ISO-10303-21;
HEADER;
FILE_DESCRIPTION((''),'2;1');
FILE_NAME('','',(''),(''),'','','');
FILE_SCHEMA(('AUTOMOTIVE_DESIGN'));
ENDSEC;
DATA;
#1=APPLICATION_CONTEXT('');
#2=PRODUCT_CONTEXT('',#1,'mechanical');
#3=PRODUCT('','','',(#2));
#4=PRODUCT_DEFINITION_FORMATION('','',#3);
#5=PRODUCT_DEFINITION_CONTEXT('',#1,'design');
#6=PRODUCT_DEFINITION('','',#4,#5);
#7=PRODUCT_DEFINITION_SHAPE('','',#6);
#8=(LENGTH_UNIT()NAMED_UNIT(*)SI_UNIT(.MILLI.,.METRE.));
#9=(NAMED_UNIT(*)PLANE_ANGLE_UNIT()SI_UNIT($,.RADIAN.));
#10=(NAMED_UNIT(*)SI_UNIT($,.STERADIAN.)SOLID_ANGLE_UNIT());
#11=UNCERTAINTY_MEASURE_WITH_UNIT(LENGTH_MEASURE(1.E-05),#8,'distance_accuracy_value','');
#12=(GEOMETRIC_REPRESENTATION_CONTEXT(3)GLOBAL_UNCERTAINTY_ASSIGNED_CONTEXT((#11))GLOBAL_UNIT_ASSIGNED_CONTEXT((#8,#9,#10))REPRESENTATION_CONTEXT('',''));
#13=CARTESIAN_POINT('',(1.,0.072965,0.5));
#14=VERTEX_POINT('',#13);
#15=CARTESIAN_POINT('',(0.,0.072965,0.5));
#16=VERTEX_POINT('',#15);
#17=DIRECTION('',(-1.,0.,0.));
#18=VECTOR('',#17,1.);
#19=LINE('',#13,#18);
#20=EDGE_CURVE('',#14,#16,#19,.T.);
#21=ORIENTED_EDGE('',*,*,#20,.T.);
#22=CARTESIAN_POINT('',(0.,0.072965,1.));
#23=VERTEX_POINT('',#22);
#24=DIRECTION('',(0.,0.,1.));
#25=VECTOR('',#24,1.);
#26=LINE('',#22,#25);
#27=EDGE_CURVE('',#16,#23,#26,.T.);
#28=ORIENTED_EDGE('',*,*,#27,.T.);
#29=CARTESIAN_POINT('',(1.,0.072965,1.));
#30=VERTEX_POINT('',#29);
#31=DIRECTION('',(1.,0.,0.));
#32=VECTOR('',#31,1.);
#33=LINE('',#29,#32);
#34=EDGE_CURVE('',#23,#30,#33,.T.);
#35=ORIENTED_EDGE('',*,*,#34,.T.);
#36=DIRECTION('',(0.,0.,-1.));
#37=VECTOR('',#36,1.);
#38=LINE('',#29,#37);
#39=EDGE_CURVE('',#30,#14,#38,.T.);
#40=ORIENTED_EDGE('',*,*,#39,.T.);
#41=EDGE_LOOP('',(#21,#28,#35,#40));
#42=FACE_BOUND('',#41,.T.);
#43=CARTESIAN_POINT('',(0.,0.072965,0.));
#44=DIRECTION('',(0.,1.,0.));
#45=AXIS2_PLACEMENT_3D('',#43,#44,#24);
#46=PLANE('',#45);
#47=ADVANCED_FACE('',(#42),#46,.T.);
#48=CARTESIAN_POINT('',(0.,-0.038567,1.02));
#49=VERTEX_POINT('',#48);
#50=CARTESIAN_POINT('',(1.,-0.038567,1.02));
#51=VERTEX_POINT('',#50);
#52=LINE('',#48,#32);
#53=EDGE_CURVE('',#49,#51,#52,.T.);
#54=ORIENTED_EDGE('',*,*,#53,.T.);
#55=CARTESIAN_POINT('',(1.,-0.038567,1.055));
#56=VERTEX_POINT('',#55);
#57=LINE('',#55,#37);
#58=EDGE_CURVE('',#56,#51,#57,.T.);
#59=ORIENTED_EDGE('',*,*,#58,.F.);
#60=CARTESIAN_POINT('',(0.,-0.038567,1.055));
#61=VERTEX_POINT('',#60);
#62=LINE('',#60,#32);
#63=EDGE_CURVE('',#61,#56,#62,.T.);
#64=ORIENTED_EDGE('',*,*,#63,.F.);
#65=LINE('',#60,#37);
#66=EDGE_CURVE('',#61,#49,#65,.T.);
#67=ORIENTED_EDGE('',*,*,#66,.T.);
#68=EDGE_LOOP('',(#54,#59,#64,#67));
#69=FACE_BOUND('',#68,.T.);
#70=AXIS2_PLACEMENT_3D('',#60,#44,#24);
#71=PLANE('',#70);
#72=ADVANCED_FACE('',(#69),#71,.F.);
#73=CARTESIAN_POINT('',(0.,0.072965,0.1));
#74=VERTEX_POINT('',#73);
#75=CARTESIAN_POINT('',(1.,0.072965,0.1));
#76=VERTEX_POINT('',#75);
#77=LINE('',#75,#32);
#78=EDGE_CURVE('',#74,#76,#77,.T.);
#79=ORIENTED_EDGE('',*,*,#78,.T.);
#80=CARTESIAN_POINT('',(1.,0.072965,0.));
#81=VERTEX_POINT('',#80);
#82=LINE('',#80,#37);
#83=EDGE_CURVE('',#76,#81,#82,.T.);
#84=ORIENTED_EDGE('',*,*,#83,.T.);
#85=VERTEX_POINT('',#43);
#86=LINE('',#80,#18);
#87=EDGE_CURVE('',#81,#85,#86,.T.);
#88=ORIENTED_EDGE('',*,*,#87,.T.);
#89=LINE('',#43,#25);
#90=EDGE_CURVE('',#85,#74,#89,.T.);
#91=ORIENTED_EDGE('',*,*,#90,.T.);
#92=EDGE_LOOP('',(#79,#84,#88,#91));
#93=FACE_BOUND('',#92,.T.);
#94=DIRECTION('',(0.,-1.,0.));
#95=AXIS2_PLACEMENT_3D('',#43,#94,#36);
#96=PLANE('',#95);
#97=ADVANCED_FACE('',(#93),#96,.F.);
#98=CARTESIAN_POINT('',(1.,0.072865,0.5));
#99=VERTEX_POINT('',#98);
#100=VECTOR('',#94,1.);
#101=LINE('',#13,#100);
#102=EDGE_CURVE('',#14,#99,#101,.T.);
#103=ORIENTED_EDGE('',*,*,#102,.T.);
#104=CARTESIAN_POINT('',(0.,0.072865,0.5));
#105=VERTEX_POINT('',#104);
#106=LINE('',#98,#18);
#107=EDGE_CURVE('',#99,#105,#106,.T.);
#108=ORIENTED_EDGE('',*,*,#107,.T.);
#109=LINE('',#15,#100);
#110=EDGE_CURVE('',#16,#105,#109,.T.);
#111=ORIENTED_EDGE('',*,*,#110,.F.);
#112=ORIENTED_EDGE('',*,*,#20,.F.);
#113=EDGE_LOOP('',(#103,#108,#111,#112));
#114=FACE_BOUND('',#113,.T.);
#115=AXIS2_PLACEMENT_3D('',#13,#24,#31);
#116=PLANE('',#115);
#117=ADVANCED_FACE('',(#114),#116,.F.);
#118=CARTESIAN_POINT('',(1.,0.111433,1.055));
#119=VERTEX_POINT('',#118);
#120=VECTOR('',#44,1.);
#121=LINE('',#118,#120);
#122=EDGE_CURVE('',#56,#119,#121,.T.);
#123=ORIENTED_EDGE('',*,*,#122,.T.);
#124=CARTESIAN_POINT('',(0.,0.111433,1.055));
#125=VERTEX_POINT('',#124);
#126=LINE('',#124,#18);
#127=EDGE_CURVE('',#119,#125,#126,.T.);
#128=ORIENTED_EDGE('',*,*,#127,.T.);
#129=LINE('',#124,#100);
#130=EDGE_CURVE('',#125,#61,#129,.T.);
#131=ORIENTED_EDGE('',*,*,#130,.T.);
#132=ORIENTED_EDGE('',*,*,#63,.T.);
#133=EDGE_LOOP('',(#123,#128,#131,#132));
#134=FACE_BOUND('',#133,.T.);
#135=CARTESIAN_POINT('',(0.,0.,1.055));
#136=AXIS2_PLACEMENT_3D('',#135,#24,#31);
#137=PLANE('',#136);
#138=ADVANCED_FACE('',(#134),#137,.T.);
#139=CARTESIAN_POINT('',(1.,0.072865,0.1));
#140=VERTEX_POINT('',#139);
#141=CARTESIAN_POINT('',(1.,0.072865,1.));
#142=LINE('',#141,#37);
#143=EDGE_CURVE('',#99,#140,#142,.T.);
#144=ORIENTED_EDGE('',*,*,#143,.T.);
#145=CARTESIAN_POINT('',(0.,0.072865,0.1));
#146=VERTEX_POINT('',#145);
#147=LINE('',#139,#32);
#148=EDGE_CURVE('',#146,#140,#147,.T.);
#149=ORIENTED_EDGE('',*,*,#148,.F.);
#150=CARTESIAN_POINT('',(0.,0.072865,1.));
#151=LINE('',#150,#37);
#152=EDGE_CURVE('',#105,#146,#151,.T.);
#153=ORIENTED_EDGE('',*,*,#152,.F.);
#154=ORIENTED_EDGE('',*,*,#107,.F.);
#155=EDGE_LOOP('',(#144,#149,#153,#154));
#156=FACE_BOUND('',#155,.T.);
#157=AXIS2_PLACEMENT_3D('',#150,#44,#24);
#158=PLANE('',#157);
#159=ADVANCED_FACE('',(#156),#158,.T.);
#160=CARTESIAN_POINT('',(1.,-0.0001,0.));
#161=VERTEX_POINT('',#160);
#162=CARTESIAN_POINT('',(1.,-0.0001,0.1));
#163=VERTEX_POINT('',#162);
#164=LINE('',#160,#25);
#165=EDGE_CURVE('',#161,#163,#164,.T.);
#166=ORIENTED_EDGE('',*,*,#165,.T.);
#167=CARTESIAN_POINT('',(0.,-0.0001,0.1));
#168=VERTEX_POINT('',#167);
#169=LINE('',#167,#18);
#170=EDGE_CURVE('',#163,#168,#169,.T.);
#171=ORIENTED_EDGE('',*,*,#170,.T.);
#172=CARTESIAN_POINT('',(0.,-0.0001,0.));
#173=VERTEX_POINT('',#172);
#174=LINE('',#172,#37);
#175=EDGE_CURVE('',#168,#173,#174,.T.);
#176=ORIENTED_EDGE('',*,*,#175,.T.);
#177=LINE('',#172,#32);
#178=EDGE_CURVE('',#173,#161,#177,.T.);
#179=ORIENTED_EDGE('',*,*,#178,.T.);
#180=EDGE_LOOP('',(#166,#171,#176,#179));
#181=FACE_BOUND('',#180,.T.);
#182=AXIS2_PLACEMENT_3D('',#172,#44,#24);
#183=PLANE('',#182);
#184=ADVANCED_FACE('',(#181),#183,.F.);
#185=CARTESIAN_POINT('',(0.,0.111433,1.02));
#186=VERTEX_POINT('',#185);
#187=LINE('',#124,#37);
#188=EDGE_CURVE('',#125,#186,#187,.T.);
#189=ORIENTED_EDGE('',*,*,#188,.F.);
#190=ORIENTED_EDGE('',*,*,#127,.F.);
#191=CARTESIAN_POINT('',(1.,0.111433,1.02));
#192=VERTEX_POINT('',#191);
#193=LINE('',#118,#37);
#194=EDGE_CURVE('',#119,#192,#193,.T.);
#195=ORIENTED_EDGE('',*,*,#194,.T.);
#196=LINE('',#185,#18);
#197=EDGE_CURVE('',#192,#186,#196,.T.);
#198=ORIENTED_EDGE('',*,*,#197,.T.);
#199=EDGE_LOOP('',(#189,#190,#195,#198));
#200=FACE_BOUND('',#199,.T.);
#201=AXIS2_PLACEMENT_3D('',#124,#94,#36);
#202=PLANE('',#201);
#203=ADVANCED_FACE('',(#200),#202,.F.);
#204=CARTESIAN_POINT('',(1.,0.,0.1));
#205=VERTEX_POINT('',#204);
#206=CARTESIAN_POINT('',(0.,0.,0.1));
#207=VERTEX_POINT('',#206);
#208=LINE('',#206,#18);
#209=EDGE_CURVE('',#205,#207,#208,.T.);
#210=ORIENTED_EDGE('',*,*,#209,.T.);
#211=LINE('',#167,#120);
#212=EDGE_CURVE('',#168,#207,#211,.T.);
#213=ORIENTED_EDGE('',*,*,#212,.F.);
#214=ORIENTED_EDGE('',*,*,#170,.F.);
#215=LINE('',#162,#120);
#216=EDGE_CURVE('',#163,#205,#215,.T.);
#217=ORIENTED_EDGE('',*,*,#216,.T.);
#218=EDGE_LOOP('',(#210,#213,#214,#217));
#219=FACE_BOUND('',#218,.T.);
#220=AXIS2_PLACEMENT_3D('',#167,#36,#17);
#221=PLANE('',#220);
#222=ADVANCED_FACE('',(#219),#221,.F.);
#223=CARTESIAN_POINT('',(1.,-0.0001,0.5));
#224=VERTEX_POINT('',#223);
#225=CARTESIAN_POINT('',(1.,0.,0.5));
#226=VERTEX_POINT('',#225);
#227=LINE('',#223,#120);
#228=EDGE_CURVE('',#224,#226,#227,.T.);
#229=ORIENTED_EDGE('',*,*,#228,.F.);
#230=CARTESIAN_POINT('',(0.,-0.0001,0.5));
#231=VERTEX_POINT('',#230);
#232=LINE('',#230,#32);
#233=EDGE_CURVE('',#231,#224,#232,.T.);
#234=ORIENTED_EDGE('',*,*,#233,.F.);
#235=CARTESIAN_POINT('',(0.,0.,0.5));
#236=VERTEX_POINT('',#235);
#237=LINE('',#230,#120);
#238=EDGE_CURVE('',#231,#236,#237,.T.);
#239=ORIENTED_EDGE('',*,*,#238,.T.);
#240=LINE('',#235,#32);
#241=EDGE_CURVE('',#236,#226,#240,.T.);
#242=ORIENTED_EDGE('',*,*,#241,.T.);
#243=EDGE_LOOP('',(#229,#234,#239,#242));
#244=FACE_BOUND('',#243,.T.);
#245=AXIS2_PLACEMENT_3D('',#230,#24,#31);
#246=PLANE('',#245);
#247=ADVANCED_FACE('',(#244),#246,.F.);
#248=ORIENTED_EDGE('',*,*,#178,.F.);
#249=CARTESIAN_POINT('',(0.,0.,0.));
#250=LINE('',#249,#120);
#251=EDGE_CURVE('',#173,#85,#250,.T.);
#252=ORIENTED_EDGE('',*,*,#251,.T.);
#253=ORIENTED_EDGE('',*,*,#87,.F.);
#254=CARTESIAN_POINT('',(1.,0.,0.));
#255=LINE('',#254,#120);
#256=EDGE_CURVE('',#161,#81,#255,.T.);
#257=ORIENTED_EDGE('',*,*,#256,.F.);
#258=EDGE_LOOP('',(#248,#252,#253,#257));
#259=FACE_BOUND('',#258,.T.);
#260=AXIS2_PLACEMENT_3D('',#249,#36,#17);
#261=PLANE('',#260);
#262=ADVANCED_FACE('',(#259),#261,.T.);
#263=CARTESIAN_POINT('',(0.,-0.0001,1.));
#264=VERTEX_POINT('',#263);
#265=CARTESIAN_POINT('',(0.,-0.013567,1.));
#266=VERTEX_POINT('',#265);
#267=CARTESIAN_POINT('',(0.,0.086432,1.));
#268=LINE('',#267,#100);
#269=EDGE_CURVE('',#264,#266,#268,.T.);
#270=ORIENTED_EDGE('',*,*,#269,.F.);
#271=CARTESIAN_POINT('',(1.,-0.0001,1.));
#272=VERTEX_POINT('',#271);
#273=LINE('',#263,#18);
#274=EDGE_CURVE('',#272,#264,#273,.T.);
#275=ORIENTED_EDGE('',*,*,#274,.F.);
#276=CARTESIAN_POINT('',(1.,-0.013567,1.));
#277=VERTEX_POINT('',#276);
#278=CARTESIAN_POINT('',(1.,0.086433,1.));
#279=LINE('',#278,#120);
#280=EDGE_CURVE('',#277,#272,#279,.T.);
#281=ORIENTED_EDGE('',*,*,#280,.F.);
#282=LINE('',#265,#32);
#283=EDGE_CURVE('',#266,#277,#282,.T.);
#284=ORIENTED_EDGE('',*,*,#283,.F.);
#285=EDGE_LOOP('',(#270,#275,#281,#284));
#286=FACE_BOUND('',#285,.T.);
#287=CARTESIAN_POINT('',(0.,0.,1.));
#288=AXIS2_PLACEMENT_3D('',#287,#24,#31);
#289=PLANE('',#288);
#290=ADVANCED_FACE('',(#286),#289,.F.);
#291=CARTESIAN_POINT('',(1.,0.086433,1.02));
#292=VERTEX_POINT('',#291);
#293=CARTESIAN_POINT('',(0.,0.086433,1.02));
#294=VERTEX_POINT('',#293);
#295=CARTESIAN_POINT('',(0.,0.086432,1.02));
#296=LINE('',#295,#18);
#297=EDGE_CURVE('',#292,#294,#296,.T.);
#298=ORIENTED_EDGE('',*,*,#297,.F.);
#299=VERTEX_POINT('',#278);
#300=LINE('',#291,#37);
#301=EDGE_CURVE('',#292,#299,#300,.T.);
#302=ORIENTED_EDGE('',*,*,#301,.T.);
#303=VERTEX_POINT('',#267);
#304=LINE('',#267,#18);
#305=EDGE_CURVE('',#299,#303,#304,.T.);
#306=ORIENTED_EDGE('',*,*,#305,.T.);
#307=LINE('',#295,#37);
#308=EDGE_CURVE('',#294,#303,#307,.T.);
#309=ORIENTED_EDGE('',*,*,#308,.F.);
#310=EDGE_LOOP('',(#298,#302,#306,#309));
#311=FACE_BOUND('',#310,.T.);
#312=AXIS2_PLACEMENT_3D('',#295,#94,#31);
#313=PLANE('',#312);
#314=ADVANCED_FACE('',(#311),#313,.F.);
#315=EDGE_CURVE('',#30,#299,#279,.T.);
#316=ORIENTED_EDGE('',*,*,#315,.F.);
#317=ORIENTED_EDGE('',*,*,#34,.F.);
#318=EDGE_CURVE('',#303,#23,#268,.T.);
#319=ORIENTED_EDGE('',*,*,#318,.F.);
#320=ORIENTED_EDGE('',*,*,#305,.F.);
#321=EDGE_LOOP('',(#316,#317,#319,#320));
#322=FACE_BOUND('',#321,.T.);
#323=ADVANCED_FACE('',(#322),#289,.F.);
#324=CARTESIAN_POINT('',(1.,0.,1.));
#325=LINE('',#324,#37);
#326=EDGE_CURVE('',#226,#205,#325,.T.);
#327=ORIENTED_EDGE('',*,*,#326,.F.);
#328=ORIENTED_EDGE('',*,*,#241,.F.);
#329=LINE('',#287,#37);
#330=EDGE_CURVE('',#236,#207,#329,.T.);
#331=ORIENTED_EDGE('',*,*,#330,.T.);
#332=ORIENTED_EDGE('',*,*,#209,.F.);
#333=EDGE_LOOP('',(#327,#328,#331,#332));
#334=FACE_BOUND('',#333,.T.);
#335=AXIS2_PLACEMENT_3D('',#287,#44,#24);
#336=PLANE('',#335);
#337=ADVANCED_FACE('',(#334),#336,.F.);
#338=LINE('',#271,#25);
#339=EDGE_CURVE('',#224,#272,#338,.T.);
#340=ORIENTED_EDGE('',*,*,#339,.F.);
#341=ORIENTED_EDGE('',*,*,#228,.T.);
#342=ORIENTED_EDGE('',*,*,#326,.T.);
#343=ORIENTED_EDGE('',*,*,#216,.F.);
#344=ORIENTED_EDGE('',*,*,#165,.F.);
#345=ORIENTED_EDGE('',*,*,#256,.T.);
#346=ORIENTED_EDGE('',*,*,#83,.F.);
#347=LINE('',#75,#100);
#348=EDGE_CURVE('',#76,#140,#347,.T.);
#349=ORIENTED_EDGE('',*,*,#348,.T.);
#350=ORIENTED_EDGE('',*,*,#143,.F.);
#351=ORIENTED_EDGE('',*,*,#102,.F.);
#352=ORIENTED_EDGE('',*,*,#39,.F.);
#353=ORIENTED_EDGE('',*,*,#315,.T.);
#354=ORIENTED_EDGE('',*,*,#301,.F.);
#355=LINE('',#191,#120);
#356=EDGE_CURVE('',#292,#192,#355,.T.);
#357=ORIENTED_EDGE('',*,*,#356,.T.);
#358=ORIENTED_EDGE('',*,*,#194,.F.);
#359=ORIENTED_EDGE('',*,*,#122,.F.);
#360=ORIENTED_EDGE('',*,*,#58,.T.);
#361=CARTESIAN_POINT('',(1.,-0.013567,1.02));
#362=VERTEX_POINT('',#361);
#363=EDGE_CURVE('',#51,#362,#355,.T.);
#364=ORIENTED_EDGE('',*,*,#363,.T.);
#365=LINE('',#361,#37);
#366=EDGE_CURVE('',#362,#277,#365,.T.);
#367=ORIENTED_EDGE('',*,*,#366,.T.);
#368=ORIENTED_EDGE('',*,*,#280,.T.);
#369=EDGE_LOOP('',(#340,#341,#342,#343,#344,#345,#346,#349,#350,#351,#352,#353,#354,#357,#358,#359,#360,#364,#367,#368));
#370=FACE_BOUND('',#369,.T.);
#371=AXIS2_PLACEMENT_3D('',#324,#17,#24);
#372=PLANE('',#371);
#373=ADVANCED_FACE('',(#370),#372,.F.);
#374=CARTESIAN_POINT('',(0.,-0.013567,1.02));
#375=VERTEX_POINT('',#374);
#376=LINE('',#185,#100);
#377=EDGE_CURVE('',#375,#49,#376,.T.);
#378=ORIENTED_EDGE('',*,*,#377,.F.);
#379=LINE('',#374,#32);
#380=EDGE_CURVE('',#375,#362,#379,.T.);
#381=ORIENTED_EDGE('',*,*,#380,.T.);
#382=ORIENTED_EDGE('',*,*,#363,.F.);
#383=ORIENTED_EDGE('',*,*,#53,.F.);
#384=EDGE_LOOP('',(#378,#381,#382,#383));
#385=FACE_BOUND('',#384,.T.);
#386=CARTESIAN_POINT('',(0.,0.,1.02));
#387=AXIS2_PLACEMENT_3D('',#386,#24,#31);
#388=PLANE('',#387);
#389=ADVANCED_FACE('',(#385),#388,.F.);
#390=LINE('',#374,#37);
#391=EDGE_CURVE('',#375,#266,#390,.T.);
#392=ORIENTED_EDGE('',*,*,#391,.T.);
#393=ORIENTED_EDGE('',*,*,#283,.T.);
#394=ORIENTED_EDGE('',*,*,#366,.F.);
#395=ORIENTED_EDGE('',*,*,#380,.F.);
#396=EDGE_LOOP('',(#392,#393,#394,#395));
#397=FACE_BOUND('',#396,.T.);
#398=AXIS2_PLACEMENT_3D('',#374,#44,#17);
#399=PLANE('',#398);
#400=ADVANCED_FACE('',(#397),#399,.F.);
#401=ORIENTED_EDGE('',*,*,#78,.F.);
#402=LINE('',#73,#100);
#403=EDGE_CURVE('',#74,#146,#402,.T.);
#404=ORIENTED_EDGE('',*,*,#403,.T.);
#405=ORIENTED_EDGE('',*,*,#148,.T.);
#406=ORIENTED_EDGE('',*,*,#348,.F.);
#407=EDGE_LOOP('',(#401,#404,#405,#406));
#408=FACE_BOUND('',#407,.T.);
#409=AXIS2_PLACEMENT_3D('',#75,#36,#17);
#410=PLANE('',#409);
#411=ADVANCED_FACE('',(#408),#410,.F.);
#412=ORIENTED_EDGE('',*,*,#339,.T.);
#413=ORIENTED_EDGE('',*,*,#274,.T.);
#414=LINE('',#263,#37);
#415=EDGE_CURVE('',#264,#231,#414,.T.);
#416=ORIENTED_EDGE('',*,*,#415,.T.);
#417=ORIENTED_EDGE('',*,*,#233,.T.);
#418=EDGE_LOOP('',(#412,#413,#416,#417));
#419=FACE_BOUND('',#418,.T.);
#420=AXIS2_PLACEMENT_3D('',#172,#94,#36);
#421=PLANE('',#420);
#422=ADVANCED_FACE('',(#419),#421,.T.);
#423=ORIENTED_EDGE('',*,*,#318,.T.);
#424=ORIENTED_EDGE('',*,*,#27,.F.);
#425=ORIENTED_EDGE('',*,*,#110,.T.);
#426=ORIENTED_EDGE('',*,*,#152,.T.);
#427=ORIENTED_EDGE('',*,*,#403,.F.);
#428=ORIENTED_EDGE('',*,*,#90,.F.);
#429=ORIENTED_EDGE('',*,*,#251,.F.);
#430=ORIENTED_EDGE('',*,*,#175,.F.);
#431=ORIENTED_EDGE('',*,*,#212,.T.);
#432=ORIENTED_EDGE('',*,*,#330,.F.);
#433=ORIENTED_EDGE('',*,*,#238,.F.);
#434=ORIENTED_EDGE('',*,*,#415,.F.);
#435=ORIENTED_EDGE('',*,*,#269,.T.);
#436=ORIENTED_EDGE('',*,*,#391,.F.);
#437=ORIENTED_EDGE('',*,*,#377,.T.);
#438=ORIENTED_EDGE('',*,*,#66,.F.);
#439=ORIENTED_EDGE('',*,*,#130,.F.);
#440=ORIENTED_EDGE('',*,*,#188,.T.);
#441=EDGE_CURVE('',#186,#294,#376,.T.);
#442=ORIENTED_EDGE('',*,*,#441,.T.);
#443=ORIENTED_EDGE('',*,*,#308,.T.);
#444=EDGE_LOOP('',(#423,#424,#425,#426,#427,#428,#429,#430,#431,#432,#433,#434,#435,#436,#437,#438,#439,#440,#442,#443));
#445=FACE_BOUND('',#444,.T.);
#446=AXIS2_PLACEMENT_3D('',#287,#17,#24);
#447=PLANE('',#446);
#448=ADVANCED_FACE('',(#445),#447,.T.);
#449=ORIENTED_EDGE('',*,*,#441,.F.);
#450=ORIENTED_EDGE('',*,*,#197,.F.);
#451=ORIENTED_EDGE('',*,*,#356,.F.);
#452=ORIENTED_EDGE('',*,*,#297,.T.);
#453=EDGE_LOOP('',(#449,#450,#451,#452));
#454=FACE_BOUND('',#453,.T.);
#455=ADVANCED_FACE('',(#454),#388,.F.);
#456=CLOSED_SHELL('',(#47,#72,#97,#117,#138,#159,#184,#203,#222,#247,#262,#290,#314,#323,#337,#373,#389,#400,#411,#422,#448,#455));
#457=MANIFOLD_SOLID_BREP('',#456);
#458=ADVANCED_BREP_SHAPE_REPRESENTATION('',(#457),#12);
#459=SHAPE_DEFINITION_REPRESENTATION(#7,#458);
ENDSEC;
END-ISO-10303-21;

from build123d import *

# Parameters (mm, degrees)
SKETCH1_W           = 1
SKETCH1_H           = 0.072865
BOSS_EXTRUDE1_DEPTH = 1
SKETCH2_W           = 1
SKETCH2_H           = 0.1
BOSS_EXTRUDE2_DEPTH = 0.02
SKETCH3_W           = 1
SKETCH3_H           = 0.15
BOSS_EXTRUDE3_DEPTH = 0.035
SKETCH4_W           = 1
SKETCH4_H           = 0.1
SKETCH4_H_2         = 0.5
BOSS_EXTRUDE4_DEPTH = 0.0001
SKETCH6_W           = 1
SKETCH6_H           = 0.1
SKETCH6_H_2         = 0.5
BOSS_EXTRUDE5_DEPTH = 0.0001


with BuildPart() as part:
    # Sketch1 → Boss-Extrude1 (new body)
    with BuildSketch(Plane.XY):
        with Locations((0.5, 0.0364325)):
            Rectangle(SKETCH1_W, SKETCH1_H)
    extrude(amount=BOSS_EXTRUDE1_DEPTH)

    # Sketch2 → Boss-Extrude2 (add)
    with BuildSketch(Plane.XY.offset(1)):
        with Locations((0.5, 0.0364325)):
            Rectangle(SKETCH2_W, SKETCH2_H)
    extrude(amount=BOSS_EXTRUDE2_DEPTH)

    # Sketch3 → Boss-Extrude3 (add)
    with BuildSketch(Plane.XY.offset(1.02)):
        with Locations((0.5, 0.0364325)):
            Rectangle(SKETCH3_W, SKETCH3_H)
    extrude(amount=BOSS_EXTRUDE3_DEPTH)

    # Sketch4 → Boss-Extrude4 (add)
    with BuildSketch(Plane.XZ):
        with Locations((0.5, 0.05)):
            Rectangle(SKETCH4_W, SKETCH4_H)
        with Locations((0.5, 0.75)):
            Rectangle(SKETCH4_W, SKETCH4_H_2)
    extrude(amount=BOSS_EXTRUDE4_DEPTH)

    # Sketch6 → Boss-Extrude5 (add)
    with BuildSketch(Plane(origin=(0, 0.072865, 0), x_dir=(1, 0, 0), z_dir=(0, 1, 0))):
        with Locations((0.5, -0.05)):
            Rectangle(SKETCH6_W, SKETCH6_H)
        with Locations((0.5, -0.75)):
            Rectangle(SKETCH6_W, SKETCH6_H_2)
    extrude(amount=BOSS_EXTRUDE5_DEPTH)


solid = part.part
